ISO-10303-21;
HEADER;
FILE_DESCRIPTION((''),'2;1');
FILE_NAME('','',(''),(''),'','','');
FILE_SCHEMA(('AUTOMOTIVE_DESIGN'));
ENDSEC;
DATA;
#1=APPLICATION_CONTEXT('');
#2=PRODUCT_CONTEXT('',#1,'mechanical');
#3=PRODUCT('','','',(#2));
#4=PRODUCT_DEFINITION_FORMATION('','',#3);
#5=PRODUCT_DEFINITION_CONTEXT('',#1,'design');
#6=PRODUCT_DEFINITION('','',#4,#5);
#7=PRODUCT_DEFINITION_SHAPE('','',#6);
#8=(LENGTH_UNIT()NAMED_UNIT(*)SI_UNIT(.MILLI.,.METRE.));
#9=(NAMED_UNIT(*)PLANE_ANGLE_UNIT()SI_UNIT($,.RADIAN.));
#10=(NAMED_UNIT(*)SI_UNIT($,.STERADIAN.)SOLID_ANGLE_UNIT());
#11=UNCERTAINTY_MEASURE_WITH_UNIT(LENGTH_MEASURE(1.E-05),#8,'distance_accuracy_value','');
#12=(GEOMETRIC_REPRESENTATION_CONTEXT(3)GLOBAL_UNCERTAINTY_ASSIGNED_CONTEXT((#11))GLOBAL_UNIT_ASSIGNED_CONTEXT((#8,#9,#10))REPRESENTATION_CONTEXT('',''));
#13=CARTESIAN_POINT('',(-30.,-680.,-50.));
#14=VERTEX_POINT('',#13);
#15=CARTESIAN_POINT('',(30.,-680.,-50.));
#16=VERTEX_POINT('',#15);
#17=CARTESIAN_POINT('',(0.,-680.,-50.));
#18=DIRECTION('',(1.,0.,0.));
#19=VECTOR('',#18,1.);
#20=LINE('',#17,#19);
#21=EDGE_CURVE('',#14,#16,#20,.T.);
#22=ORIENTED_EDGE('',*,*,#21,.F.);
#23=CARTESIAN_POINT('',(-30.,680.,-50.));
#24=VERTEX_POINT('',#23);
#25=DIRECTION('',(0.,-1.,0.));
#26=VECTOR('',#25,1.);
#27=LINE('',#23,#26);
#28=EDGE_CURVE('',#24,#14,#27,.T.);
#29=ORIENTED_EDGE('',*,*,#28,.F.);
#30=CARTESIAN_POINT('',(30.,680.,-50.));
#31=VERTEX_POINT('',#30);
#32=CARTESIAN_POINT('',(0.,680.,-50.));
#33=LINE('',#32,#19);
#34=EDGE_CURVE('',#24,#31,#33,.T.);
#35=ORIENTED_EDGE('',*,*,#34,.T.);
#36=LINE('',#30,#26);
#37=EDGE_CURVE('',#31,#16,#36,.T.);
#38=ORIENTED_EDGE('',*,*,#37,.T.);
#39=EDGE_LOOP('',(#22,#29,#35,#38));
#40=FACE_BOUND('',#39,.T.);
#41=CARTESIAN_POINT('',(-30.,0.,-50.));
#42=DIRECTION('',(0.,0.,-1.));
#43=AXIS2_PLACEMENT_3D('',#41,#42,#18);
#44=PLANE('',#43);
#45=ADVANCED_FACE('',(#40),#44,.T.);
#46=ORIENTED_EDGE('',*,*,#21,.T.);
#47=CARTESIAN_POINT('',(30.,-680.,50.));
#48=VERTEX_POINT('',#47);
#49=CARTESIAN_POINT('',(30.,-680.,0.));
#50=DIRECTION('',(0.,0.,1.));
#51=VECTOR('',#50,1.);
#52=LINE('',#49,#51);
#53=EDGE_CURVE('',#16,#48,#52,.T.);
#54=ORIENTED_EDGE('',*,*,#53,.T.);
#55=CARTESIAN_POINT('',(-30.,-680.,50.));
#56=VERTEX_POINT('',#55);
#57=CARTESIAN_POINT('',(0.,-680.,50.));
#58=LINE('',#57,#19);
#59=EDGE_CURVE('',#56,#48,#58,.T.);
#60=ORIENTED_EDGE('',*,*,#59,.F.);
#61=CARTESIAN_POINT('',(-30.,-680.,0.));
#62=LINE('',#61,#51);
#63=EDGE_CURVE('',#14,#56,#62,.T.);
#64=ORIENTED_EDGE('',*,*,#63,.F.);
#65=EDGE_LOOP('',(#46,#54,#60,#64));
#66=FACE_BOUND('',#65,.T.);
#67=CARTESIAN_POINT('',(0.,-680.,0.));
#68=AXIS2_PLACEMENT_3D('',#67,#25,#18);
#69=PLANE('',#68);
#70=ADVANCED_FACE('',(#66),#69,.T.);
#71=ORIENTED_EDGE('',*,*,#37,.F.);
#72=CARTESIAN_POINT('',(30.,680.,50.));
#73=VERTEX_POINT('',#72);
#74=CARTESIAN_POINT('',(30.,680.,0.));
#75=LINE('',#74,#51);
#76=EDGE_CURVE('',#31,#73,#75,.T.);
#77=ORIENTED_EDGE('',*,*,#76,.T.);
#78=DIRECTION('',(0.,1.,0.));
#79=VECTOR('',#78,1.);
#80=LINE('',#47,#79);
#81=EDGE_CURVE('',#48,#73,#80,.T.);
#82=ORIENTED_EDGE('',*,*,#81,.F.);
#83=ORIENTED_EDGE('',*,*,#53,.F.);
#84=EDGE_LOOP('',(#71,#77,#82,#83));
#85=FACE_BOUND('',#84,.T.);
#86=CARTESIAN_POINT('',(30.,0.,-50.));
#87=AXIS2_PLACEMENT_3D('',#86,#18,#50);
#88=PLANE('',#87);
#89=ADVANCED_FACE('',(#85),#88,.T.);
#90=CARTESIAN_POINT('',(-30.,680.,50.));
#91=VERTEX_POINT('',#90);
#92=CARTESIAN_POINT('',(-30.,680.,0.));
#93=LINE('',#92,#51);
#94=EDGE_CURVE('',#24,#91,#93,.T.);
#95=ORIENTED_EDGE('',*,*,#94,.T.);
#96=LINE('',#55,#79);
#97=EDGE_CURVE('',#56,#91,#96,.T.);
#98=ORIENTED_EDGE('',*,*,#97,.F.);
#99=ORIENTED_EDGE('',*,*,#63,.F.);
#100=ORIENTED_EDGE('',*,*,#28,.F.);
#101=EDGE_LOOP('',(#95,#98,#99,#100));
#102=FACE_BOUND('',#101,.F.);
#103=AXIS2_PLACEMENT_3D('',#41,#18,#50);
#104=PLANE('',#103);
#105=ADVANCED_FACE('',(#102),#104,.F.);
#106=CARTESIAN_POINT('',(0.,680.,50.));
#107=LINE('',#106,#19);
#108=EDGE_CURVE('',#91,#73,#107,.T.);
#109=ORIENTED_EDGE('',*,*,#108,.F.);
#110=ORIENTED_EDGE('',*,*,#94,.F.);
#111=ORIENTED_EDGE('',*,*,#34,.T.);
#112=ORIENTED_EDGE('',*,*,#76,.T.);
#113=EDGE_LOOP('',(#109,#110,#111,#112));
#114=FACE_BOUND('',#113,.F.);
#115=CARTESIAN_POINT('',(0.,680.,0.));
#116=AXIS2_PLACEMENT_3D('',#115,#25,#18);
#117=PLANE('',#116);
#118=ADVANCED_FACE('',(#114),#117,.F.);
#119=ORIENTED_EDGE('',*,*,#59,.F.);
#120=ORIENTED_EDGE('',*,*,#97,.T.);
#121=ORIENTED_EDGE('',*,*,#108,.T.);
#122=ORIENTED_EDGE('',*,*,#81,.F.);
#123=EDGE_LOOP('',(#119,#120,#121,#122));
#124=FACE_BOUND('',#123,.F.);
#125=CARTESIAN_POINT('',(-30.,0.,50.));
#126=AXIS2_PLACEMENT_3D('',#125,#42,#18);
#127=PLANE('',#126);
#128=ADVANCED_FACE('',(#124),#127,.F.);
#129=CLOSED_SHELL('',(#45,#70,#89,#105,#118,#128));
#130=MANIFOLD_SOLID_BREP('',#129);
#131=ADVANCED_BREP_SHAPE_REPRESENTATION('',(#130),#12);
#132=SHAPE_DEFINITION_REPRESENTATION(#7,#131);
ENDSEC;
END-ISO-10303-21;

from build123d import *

# Parameters (mm, degrees)
SKETCH_W  = 60
SKETCH_H  = 100
PAD_DEPTH = 680


with BuildPart() as part:
    # Sketch → Pad (new body, symmetric)
    with BuildSketch(Plane.XZ):
        Rectangle(SKETCH_W, SKETCH_H)
    extrude(amount=PAD_DEPTH, both=True)


solid = part.part
